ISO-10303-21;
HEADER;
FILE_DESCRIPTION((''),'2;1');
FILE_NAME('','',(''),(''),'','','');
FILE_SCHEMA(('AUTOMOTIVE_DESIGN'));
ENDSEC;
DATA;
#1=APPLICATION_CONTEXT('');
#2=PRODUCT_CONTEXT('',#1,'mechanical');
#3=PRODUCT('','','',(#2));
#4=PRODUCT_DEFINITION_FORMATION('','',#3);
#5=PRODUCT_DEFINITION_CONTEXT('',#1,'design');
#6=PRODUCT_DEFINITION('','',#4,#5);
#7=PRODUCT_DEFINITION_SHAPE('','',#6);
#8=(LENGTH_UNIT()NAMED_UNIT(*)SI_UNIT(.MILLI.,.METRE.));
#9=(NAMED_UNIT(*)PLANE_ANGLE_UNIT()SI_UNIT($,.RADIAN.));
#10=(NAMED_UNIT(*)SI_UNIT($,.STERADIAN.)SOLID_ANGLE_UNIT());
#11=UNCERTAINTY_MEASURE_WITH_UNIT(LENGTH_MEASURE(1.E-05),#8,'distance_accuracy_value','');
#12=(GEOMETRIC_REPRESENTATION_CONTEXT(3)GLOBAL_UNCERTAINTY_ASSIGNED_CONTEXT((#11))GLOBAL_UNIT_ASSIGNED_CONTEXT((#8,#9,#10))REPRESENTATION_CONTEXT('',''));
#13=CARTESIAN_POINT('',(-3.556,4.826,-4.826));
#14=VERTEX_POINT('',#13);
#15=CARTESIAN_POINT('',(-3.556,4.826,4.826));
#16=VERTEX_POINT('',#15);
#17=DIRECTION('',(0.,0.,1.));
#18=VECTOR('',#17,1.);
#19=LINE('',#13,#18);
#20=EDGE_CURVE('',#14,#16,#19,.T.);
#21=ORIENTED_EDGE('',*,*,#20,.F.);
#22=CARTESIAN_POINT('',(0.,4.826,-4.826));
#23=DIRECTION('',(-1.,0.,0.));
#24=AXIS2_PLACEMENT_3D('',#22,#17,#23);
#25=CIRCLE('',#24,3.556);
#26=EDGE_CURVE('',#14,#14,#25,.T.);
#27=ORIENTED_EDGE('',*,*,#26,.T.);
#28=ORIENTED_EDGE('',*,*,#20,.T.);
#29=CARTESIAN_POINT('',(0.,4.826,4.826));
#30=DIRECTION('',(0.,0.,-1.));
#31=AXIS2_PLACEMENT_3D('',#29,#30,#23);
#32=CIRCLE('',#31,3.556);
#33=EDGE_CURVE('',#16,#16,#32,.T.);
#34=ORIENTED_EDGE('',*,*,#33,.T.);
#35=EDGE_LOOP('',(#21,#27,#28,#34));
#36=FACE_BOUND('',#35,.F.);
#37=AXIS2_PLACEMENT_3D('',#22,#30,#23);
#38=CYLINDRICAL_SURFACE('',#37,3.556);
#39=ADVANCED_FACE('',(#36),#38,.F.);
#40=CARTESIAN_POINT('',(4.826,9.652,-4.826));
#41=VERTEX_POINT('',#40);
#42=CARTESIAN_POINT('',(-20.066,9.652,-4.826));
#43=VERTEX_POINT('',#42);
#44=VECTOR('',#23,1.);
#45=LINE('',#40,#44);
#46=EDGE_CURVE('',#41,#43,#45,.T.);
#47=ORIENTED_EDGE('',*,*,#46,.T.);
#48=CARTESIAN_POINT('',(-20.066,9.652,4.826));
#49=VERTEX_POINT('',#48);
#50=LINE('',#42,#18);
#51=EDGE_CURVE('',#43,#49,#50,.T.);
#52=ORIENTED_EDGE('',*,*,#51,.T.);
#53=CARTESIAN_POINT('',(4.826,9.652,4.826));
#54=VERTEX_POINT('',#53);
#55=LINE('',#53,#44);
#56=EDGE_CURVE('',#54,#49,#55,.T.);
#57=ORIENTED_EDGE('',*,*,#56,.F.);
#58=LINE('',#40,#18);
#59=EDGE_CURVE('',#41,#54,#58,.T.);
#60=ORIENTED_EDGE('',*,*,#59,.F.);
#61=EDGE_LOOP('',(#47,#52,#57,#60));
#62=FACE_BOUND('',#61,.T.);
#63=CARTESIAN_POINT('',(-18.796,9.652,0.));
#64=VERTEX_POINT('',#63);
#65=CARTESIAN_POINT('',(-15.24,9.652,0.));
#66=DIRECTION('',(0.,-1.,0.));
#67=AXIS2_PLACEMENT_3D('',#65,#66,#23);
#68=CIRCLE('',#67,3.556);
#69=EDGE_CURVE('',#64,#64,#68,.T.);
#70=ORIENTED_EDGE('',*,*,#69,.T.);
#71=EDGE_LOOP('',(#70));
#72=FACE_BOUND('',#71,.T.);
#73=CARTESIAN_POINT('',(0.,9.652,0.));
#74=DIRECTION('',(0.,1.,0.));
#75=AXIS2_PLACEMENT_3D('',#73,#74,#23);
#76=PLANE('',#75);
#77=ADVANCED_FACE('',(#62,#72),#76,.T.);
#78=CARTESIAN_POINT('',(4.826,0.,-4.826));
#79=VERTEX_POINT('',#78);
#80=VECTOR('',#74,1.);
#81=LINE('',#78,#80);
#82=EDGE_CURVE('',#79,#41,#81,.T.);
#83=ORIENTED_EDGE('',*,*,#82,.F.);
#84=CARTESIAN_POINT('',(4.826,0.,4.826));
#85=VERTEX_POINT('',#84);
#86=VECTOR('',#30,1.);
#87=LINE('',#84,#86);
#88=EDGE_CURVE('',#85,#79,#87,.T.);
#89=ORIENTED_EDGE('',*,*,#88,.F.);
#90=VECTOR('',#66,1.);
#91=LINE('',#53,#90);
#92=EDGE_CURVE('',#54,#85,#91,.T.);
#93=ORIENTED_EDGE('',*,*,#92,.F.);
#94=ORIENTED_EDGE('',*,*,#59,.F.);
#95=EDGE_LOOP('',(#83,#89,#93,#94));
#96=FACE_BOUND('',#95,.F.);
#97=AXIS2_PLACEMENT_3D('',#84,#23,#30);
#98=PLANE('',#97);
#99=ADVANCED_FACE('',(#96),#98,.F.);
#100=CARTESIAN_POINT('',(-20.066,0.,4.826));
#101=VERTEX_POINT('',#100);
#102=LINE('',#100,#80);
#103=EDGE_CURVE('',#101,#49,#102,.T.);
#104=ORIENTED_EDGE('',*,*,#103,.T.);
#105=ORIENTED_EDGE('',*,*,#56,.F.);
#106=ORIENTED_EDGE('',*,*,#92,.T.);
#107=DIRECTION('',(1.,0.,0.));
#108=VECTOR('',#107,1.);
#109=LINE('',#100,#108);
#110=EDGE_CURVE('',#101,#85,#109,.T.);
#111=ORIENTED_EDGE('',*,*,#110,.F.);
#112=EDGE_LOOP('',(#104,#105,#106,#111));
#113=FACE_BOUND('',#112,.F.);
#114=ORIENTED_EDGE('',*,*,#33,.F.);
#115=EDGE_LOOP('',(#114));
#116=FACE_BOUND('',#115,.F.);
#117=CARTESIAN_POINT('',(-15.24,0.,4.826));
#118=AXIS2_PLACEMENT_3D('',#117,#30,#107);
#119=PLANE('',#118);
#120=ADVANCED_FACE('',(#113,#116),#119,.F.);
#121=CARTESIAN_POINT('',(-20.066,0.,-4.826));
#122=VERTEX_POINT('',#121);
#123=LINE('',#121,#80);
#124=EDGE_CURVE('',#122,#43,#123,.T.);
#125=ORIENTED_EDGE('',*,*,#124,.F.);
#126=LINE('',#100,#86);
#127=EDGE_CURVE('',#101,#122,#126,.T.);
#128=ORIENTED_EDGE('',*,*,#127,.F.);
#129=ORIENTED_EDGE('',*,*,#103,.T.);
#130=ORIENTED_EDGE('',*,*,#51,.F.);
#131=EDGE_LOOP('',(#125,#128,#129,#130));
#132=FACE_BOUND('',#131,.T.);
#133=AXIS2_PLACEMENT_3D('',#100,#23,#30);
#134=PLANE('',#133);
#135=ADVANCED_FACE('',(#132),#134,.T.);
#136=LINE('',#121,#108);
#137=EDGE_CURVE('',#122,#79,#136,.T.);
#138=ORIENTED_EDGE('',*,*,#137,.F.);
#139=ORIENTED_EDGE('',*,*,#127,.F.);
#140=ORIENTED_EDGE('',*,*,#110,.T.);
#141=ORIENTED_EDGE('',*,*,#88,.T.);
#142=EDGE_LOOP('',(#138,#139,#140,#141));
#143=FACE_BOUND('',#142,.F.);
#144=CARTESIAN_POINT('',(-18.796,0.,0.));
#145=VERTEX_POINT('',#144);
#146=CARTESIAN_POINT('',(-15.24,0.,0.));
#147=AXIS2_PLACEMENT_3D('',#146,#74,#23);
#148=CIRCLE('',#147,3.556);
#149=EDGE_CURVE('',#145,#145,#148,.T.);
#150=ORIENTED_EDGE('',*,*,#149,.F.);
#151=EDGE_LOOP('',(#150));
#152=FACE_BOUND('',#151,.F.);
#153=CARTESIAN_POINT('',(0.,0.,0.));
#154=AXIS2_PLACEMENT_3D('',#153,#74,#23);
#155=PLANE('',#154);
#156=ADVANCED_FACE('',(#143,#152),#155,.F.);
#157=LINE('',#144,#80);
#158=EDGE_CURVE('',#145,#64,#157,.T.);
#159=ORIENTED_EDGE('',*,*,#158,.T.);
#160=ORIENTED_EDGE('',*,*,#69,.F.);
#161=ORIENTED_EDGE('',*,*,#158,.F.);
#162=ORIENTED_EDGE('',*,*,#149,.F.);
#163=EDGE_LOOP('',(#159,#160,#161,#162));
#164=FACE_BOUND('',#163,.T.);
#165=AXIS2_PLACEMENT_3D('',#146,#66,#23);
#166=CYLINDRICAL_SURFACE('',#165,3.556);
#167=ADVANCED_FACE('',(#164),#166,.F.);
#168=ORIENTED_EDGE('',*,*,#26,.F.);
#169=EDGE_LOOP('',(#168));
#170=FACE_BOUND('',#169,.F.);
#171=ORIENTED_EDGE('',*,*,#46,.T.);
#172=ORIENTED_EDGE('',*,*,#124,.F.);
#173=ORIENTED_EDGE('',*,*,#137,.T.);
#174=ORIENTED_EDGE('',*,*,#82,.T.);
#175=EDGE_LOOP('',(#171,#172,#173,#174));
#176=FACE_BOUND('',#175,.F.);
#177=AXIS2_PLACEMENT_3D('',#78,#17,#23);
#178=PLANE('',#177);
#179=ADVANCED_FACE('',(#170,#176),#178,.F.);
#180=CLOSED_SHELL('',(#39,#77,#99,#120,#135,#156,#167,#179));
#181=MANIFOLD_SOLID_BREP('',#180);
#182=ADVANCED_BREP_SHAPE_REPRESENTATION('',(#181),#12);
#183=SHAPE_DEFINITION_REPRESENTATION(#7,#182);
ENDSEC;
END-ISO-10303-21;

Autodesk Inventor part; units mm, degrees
ref_plane "YZ Plane" through (0, 0, 0) normal (1, 0, 0) x (0, 1, 0)
ref_plane "XZ Plane" through (0, 0, 0) normal (0, 1, 0) x (-1, 0, 0)
ref_plane "XY Plane" through (0, 0, 0) normal (0, 0, 1) x (1, 0, 0)
sketch "Sketch1" plane through (0, 0, 0) normal (0, 1, 0) x (-1, 0, 0)
  line L0 (0, 0) -> (15.24, 0)
  circle A0 centre (15.24, 0) radius 3.556
  circle A1 centre (0, 0) radius 3.556
  line L1 (18.796, 0) -> (20.066, 0)
  line L2 (15.24, -3.556) -> (15.24, -4.826)
  line L3 (15.24, -4.826) -> (0, -4.826)
  line L4 (-3.556, 0) -> (-4.826, 0)
  line L5 (-4.826, 0) -> (-4.826, -4.826)
  line L6 (-4.826, -4.826) -> (0, -4.826)
  line L7 (15.24, -4.826) -> (20.066, -4.826)
  line L8 (20.066, -4.826) -> (20.066, 0)
  line L9 (15.24, 3.556) -> (15.24, 4.826)
  line L10 (15.24, 4.826) -> (20.066, 4.826)
  line L11 (20.066, 4.826) -> (-4.826, 4.826)
  line L12 (-4.826, 4.826) -> (-4.826, 0)
  line L13 (0, -4.826) -> (-4.826, -4.826)
  line L14 (20.066, 4.826) -> (20.066, 0)
  dimension "d2" = 7.112
  dimension "d0" = 15.24
  dimension "d1" = 7.112
  dimension "d3" = 1.27
  dimension "d4" = 1.27
  dimension "d5" = 1.27
  dimension "d6" = 1.27
extrude "Extrusion1" add sketch "Sketch1" along normal blind 9.652 contours A1 L4 L12 L11 L9 A0 L0 | A1 | L0 A0 L2 L3 L6 L5 L4 A1 | L9 L10 L14 L1 A0 | A0 L1 L8 L7 L2
sketch "Sketch2" plane through (4.826, 0, -4.826) normal (0, 0, -1) x (-1, 0, 0)
  line L0 (0, 0) -> (0, 9.652) projected
  line L1 (0, 4.826) -> (4.826, 4.826)
  circle A0 centre (4.826, 4.826) radius 3.556
  point P0 (4.826, 0)
  dimension "d9" = 4.826
  dimension "d10" = 7.112
extrude "Extrusion2" cut sketch "Sketch2" against normal through all
sketch "Sketch3" plane through (4.826, 0, 4.826) normal (1, 0, 0) x (0, 0, -1)
  line L0 (4.826, 0) -> (4.826, 9.652)
  line L1 (0, 9.652) -> (9.652, 9.652) projected
  line L2 (0, 0) -> (0, 9.652) projected
  line L3 (0, 4.826) -> (9.652, 4.826)
  line L4 (9.652, 0) -> (9.652, 9.652) projected
  circle A0 centre (4.826, 4.826) radius 5.08
  dimension "d13" = 10.16
extrude "Extrusion3" add sketch "Sketch3" along normal blind 76.2 contours L3 L2 A0 L1 L0 | L3 L4 A0 L2 | L0 L1 A0 L4 L3 | L1 A0 | L2 A0 | L4 A0
sketch "Sketch4" plane through (81.026, 4.826, 0) normal (1, 0, 0) x (0, 0, -1)
  circle A0 centre (0, 0) radius 5.08
  point P0 (0, -4.826)
extrude "Extrusion4" cut sketch "Sketch4" against normal blind 76.2
properties part number "newblockwithnopeg"
